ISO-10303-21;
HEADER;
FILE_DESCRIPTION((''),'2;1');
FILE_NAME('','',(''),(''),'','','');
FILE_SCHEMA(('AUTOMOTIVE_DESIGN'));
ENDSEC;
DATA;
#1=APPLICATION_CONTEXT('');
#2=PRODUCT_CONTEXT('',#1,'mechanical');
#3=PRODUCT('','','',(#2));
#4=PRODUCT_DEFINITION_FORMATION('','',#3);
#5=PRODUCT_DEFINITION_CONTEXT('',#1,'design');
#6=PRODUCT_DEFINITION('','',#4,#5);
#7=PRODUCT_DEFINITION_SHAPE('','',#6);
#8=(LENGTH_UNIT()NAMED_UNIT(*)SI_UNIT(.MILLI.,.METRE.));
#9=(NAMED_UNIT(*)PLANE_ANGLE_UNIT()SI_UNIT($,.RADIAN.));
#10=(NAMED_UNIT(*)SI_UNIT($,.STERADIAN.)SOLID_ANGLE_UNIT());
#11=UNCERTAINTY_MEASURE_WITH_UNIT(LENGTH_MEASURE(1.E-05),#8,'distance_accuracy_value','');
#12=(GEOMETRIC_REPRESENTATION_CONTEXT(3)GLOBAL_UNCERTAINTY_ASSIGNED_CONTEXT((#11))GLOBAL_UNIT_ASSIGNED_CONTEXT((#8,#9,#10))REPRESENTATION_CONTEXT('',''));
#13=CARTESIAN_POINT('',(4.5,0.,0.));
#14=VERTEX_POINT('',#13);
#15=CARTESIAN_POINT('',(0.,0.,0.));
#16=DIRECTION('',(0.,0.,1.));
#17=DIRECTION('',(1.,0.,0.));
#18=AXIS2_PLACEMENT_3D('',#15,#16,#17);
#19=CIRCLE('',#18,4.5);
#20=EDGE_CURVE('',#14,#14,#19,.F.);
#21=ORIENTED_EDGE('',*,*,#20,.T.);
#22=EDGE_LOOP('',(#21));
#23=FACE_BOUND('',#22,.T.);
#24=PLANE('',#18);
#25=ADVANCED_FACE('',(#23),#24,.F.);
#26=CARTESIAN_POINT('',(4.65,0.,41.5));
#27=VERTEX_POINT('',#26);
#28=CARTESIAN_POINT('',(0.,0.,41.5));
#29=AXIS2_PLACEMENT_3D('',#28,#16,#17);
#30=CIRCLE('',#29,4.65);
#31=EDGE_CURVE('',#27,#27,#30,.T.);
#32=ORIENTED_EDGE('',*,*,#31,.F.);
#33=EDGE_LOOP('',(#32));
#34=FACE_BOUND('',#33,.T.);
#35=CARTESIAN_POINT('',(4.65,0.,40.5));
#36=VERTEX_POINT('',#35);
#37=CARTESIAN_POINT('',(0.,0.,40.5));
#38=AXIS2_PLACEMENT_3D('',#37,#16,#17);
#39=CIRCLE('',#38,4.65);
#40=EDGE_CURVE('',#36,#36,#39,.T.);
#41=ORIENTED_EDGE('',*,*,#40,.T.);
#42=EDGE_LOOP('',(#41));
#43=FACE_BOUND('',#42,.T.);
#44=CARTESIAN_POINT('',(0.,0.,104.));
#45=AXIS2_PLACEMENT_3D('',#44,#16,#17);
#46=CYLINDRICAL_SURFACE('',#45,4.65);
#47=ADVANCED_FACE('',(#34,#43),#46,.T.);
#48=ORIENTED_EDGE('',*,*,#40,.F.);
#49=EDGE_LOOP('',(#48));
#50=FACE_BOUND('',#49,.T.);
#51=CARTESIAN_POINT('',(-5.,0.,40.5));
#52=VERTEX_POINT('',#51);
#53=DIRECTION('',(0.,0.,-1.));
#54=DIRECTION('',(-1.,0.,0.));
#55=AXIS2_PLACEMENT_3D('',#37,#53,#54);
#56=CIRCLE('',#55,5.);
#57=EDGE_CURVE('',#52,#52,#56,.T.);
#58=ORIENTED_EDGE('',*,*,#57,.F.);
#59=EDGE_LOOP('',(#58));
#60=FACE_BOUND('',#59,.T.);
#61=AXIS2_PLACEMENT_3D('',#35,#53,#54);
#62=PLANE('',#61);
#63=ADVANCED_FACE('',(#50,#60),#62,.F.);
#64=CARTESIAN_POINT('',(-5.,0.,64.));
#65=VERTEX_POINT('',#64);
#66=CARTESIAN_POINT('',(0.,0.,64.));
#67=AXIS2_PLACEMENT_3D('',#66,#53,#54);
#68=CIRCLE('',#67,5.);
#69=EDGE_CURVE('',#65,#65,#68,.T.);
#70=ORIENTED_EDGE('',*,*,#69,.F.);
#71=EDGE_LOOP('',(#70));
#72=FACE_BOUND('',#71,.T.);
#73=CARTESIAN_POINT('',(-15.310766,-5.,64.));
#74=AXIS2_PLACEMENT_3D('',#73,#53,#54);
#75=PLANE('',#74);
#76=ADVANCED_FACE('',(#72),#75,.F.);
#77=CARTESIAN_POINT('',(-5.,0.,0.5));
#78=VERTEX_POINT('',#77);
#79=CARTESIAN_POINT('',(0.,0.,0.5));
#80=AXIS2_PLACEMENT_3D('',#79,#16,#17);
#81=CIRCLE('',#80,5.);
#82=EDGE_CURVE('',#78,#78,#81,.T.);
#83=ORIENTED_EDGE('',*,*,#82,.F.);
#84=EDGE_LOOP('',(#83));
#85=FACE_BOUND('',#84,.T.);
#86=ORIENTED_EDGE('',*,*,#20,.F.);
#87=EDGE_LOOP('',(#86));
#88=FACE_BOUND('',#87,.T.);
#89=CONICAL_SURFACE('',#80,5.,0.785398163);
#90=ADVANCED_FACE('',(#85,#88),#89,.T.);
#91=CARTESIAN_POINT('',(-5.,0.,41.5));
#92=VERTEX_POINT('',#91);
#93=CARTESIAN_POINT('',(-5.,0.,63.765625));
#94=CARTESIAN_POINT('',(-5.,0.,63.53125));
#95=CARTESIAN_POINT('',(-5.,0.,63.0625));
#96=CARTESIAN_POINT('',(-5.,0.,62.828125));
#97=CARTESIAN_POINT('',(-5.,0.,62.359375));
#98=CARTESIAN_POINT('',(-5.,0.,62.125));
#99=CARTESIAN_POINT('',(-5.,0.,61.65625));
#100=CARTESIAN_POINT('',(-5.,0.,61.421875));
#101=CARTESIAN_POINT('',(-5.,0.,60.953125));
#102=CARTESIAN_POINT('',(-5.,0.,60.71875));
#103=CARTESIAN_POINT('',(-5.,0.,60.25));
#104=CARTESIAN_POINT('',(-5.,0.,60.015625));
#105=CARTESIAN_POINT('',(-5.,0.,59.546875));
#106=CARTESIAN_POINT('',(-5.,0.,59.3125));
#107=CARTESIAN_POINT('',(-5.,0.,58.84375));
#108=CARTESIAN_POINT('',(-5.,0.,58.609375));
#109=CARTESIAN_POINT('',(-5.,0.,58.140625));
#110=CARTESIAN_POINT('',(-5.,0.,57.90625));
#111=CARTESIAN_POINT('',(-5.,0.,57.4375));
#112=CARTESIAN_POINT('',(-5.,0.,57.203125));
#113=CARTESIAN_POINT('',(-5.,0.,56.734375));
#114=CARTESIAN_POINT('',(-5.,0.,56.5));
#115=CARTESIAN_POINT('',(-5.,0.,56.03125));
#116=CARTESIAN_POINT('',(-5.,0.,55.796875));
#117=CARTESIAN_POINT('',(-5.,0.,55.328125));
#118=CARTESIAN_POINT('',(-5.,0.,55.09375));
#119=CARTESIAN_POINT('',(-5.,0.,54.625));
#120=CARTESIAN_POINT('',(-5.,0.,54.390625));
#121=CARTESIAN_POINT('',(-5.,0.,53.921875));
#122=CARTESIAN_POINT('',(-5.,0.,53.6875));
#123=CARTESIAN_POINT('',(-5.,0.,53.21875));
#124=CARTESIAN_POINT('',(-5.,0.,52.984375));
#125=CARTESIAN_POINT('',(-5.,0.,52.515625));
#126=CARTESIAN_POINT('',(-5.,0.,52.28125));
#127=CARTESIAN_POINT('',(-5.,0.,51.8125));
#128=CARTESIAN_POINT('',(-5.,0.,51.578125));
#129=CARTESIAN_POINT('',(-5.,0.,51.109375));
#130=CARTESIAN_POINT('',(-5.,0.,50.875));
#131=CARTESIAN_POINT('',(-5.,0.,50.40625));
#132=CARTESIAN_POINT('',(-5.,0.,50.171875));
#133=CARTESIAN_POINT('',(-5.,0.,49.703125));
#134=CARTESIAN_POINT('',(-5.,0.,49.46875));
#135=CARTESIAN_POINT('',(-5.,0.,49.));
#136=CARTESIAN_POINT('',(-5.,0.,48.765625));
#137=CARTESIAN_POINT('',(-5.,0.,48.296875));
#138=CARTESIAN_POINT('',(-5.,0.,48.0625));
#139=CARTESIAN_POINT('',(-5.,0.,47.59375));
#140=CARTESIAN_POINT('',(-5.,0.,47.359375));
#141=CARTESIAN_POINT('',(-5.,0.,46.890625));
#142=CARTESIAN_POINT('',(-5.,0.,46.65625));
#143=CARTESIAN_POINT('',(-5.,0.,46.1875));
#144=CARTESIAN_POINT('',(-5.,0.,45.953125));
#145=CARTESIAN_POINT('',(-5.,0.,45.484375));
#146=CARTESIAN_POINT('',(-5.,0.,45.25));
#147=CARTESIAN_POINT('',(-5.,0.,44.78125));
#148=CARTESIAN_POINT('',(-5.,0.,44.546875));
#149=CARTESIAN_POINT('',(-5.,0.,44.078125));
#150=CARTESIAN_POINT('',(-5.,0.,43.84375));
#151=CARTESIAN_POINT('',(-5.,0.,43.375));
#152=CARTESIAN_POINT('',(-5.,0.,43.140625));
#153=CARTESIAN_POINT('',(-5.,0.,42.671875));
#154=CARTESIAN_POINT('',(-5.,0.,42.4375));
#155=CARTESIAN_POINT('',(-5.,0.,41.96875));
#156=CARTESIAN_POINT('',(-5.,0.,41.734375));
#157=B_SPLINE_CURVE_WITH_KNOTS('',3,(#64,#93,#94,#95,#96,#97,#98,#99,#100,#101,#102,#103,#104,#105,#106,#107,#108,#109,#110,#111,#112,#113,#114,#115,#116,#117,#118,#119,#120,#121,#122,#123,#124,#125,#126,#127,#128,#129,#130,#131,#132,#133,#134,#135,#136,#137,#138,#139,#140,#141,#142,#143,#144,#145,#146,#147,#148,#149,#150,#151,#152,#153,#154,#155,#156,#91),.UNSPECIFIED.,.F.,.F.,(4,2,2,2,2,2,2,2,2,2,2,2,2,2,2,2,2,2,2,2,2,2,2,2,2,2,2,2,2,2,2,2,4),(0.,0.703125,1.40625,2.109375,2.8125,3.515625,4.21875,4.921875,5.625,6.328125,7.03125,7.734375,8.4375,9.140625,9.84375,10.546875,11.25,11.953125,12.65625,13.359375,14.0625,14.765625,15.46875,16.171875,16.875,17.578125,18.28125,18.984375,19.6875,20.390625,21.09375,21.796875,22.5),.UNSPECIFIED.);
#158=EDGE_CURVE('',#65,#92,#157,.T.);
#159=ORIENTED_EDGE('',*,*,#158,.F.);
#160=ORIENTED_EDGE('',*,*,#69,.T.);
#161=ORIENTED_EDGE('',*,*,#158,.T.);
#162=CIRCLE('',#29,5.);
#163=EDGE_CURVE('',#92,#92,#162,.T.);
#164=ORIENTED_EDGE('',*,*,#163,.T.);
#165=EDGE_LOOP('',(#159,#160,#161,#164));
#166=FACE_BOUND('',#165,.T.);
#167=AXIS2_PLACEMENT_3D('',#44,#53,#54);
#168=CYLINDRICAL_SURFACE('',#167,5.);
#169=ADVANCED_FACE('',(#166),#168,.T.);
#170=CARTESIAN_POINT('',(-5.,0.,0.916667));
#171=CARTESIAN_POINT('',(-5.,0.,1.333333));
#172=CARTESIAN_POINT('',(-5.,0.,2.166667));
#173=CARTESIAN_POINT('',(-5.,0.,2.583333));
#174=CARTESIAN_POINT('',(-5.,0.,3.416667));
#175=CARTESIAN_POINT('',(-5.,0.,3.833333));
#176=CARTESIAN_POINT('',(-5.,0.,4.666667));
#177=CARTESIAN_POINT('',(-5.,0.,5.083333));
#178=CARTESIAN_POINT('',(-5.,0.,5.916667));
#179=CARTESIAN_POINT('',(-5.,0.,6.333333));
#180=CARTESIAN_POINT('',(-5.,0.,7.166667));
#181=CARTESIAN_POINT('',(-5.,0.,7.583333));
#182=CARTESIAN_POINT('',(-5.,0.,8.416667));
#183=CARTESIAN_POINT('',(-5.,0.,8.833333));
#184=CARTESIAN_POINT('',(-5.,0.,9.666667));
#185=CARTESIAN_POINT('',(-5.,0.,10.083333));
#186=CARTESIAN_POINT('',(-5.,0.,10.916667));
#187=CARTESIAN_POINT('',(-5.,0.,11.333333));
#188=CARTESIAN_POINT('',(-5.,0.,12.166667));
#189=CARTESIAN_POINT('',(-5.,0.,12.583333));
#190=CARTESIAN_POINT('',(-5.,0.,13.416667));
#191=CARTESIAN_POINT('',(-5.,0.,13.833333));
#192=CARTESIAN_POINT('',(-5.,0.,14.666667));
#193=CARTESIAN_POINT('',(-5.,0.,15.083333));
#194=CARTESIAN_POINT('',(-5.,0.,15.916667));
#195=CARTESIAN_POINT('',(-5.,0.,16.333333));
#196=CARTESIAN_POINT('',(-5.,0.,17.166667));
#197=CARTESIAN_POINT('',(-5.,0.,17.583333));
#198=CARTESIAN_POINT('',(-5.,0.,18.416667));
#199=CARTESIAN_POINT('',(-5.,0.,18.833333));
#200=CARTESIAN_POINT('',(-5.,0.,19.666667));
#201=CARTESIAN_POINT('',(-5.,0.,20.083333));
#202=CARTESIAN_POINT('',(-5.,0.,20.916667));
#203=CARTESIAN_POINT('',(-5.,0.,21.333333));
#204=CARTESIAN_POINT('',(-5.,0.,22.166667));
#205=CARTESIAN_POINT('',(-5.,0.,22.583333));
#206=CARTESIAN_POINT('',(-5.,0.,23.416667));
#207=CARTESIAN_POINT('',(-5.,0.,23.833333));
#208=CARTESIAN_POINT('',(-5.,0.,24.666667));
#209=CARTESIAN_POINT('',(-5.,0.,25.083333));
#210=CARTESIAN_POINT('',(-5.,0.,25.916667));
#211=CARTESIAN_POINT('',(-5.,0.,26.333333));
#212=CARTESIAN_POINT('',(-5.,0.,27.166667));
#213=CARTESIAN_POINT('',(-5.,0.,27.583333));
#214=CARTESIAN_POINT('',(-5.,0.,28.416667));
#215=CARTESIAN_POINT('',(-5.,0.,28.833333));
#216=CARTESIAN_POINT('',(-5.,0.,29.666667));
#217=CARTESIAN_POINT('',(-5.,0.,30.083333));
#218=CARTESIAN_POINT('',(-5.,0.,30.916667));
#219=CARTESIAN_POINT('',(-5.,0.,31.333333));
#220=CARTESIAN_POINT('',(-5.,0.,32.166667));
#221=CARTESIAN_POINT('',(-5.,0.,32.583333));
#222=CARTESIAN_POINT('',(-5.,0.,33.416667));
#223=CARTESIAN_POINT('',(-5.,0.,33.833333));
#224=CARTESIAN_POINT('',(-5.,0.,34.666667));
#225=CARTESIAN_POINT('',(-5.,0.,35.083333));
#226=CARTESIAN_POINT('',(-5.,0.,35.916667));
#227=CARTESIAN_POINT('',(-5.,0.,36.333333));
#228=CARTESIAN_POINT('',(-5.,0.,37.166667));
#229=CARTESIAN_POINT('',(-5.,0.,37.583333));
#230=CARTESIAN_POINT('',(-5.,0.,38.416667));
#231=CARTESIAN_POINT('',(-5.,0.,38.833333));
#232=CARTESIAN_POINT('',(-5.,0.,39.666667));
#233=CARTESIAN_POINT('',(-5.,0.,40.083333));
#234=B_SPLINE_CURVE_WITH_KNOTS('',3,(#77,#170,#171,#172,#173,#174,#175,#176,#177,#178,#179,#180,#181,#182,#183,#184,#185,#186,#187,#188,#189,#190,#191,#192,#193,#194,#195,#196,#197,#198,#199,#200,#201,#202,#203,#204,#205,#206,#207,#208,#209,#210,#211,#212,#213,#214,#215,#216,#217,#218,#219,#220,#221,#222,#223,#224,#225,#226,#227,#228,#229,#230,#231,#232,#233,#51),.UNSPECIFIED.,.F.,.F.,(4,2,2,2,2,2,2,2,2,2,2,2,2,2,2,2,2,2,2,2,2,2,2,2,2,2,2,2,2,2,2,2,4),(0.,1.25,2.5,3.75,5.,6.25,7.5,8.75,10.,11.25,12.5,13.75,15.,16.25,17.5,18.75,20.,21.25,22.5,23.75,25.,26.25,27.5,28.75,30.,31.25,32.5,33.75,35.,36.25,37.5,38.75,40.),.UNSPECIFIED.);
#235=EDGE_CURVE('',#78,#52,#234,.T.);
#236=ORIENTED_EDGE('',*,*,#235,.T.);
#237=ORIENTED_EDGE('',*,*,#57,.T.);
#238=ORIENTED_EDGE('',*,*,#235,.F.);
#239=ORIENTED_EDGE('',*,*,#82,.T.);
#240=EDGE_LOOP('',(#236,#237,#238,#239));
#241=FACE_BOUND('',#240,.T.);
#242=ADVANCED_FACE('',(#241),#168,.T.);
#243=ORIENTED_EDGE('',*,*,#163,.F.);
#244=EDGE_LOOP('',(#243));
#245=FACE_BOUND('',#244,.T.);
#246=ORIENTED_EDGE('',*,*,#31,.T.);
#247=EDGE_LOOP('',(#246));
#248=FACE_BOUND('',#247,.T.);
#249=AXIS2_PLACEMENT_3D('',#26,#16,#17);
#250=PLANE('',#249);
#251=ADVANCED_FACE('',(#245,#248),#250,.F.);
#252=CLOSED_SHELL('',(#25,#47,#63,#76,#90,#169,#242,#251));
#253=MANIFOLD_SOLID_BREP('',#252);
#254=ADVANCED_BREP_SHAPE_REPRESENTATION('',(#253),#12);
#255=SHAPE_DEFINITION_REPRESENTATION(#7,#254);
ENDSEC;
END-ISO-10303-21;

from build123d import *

# Parameters (mm, degrees)
SKETCH_1_R          = 5
EXTRUDE_1_DEPTH     = 104
SKETCH_2_W          = 3.498862739
SKETCH_2_H          = 1
CHAMFER_1_SIZE      = 0.5
SKETCH_4_W          = 44.49282487
SKETCH_4_H          = 52.981234512
CUT_EXTRUDE_2_DEPTH = 5


with BuildPart() as part:
    # 草图1 → 拉伸1 (new body)
    with BuildSketch(Plane.XY):
        with Locations(Location((0, 0, 0), (0, 0, 180))):
            Circle(SKETCH_1_R)
    extrude(amount=EXTRUDE_1_DEPTH)

    # 草图2 → 切除-旋转1 (revolve, cut)
    with BuildSketch(Plane(origin=(0, 0, 0), x_dir=(1, 0, 0), z_dir=(0, 1, 0)), mode=Mode.PRIVATE) as cut_revolve_1_sk:
        with Locations((6.39943137, -41)):
            Rectangle(SKETCH_2_W, SKETCH_2_H)
    revolve(cut_revolve_1_sk.sketch.rotate(Axis((0, 0, 104), (0, 0, -1)), 180), axis=Axis((0, 0, 104), (0, 0, -1)), mode=Mode.SUBTRACT)

    # 倒角1
    chamfer_1_edges = [part.edges().sort_by_distance(p)[0] for p in [
        (5, 0, 0),
        (5, 0, 104),
    ]]
    chamfer(chamfer_1_edges, length=CHAMFER_1_SIZE)

    # 草图4 → 拉伸2 (cut, symmetric)
    with BuildSketch(Plane(origin=(0, 0, 0), x_dir=(1, 0, 0), z_dir=(0, 1, 0))):
        with Locations((6.93564623, -90.490617256)):
            Rectangle(SKETCH_4_W, SKETCH_4_H)
    extrude(amount=CUT_EXTRUDE_2_DEPTH, both=True, mode=Mode.SUBTRACT)


solid = part.part
